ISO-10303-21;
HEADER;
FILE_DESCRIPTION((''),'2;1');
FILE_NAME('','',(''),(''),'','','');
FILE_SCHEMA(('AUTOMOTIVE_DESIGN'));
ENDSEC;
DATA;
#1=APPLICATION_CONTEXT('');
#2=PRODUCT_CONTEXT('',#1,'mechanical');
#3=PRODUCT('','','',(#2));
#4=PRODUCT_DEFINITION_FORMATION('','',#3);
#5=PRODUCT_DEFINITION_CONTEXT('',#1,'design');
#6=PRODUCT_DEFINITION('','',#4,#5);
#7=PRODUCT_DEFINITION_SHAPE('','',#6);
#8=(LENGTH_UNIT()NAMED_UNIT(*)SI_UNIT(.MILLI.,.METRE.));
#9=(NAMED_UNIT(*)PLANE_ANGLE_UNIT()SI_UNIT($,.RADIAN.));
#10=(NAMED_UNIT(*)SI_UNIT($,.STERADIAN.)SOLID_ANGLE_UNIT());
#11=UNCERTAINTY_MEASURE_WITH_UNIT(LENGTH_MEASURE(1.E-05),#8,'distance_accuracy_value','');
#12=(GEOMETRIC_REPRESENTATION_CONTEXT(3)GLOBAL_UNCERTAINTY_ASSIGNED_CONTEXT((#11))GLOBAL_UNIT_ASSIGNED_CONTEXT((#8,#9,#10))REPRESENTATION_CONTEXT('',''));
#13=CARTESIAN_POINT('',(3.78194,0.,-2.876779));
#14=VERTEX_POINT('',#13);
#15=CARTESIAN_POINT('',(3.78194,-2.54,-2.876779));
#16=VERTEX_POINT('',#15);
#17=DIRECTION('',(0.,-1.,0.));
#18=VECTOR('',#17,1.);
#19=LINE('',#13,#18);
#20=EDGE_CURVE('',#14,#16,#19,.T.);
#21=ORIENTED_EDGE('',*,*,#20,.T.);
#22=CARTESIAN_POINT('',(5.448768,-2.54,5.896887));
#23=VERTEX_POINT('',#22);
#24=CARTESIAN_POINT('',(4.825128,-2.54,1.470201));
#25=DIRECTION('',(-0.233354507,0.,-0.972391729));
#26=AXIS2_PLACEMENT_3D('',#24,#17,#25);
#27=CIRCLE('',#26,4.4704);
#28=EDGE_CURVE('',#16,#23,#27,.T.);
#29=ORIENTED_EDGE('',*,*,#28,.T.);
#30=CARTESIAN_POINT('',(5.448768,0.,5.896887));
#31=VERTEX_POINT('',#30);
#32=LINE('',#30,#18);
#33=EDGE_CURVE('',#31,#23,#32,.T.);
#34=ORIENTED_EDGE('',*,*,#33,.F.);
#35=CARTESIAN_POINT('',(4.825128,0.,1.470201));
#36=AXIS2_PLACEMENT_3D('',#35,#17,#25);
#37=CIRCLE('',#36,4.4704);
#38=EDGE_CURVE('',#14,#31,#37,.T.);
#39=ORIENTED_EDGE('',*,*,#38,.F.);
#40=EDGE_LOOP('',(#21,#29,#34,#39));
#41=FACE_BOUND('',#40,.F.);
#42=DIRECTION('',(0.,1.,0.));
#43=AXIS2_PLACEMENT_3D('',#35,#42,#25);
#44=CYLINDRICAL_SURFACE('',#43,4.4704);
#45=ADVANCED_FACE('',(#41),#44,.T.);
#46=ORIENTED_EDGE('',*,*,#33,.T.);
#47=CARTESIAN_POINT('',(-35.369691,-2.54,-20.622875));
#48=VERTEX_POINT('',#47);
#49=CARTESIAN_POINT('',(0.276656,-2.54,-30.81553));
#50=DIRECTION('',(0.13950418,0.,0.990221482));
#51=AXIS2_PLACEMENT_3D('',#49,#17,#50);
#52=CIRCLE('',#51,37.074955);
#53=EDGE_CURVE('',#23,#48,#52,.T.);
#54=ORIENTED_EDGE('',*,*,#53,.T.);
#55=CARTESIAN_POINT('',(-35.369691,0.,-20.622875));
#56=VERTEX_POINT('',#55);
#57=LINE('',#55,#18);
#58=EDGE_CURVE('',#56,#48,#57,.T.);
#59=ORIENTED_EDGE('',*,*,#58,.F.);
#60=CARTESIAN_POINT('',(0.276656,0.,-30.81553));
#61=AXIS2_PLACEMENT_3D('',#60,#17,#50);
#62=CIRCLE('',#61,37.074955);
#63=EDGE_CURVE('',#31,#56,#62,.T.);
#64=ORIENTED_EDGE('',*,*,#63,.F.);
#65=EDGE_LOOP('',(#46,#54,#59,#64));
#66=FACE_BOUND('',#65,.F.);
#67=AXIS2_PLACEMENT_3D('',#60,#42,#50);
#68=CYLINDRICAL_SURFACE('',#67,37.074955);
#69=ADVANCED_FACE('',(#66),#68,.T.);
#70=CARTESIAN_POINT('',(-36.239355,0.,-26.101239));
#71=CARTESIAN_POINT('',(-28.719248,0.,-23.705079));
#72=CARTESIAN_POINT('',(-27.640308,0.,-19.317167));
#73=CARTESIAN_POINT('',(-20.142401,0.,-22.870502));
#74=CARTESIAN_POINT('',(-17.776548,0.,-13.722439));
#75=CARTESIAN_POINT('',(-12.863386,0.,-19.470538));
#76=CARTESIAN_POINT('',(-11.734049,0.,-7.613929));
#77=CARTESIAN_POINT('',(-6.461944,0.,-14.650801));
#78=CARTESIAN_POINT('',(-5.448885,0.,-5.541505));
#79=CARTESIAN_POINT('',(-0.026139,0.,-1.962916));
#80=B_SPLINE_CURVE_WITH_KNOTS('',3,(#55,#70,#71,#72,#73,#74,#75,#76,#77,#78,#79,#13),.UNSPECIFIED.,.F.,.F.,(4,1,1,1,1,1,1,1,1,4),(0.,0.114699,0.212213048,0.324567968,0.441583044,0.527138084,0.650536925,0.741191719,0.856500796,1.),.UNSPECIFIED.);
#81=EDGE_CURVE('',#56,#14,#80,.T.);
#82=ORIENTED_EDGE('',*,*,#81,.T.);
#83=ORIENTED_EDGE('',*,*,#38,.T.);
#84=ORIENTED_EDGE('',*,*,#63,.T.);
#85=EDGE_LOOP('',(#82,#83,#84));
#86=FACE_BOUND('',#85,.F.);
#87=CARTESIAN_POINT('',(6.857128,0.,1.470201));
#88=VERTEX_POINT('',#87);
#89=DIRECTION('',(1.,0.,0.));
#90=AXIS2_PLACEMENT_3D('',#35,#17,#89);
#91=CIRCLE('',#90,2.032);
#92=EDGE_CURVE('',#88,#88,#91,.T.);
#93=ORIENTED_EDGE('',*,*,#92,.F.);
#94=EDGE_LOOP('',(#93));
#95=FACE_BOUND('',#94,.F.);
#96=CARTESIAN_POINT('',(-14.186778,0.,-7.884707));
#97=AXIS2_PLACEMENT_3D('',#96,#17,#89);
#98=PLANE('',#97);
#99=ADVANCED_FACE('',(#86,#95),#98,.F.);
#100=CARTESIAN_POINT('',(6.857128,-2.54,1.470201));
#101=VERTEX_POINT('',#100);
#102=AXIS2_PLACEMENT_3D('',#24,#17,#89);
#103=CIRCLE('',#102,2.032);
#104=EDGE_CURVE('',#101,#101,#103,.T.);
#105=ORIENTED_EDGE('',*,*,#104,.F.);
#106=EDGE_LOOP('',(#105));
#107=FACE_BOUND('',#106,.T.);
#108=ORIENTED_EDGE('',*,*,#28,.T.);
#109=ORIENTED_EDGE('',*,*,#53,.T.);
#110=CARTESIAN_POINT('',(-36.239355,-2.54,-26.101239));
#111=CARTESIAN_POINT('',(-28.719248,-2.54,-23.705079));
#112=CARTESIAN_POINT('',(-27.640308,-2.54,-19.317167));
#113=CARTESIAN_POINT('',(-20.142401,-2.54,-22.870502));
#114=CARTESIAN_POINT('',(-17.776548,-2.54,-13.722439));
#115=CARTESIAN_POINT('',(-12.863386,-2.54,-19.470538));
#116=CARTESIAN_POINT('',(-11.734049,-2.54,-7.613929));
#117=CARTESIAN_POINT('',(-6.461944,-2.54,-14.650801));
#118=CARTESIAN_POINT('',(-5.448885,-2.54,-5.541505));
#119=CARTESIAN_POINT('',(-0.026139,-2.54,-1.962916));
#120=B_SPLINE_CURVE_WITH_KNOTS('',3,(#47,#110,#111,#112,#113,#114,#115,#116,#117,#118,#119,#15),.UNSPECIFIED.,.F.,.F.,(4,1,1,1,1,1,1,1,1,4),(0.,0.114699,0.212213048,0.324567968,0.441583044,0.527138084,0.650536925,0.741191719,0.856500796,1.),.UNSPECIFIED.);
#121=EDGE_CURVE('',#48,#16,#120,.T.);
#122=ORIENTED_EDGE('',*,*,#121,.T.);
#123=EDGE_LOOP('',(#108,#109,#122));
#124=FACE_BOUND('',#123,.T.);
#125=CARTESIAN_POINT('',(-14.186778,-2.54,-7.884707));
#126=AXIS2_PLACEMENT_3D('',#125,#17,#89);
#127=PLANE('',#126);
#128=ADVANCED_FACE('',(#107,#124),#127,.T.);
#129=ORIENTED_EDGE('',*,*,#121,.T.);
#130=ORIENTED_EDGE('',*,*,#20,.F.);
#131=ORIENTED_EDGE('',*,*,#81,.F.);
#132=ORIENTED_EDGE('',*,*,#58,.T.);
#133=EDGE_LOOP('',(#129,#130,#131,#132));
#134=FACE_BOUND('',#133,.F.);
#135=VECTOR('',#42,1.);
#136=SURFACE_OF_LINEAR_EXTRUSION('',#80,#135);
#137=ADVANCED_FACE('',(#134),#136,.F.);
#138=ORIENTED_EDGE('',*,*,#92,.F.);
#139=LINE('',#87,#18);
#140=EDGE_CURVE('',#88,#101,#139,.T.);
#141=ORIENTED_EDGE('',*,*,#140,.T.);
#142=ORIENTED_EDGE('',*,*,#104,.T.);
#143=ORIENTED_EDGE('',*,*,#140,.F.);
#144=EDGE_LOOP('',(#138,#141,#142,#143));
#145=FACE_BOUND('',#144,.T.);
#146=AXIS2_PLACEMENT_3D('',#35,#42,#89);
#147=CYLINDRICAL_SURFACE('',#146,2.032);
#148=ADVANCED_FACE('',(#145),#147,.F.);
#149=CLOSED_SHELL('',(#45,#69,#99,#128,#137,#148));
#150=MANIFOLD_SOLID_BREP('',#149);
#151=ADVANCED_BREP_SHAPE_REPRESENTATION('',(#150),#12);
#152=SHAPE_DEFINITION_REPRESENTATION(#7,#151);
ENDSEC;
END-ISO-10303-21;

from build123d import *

# Parameters (mm, degrees)
F0_R     = 2.54
F1_DEPTH = 3.175
F2_SCALE = 0.8


with BuildPart() as f1:
    # F0 (on Front) → F1 (new body)
    with BuildSketch(Plane.XZ):
        with BuildLine():
            add(Edge.make_bspline(
                [(-44.2121134937, -25.7785934955), (-45.2991934478, -32.626548347), (-35.8990602452, -29.6313482751), (-34.5503850626, -24.1464582302), (-25.1780013438, -28.5881270821), (-22.2206855066, -17.1530487523), (-16.0792325939, -24.3381725832), (-14.6675608044, -9.5174107186), (-8.0774299822, -18.3135018298), (-6.8111066816, -6.9268812913), (-0.0326734387, -2.4536455827), (4.7274252176, -3.5959737622)],
                knots=[0, 0, 0, 0, 0.1146989998, 0.2122130482, 0.3245679683, 0.4415830442, 0.5271380844, 0.6505369248, 0.7411917187, 0.8565007956, 1, 1, 1, 1], degree=3))
            ThreePointArc((4.7274252176, -3.5959737622), (11.5212174373, 0.7947936435), (6.8109595573, 7.3711088609))
            ThreePointArc((6.8109595573, 7.3711088609), (-24.9027625736, 0.3424842466), (-44.2121134937, -25.7785934955))
        make_face()
        with Locations((6.0314102005, 1.8377512184)):
            Circle(F0_R, mode=Mode.SUBTRACT)
    extrude(amount=F1_DEPTH)


with BuildPart() as f1_1:
    # F2: moved
    add(f1.part.scale(F2_SCALE))


solid = f1_1.part
